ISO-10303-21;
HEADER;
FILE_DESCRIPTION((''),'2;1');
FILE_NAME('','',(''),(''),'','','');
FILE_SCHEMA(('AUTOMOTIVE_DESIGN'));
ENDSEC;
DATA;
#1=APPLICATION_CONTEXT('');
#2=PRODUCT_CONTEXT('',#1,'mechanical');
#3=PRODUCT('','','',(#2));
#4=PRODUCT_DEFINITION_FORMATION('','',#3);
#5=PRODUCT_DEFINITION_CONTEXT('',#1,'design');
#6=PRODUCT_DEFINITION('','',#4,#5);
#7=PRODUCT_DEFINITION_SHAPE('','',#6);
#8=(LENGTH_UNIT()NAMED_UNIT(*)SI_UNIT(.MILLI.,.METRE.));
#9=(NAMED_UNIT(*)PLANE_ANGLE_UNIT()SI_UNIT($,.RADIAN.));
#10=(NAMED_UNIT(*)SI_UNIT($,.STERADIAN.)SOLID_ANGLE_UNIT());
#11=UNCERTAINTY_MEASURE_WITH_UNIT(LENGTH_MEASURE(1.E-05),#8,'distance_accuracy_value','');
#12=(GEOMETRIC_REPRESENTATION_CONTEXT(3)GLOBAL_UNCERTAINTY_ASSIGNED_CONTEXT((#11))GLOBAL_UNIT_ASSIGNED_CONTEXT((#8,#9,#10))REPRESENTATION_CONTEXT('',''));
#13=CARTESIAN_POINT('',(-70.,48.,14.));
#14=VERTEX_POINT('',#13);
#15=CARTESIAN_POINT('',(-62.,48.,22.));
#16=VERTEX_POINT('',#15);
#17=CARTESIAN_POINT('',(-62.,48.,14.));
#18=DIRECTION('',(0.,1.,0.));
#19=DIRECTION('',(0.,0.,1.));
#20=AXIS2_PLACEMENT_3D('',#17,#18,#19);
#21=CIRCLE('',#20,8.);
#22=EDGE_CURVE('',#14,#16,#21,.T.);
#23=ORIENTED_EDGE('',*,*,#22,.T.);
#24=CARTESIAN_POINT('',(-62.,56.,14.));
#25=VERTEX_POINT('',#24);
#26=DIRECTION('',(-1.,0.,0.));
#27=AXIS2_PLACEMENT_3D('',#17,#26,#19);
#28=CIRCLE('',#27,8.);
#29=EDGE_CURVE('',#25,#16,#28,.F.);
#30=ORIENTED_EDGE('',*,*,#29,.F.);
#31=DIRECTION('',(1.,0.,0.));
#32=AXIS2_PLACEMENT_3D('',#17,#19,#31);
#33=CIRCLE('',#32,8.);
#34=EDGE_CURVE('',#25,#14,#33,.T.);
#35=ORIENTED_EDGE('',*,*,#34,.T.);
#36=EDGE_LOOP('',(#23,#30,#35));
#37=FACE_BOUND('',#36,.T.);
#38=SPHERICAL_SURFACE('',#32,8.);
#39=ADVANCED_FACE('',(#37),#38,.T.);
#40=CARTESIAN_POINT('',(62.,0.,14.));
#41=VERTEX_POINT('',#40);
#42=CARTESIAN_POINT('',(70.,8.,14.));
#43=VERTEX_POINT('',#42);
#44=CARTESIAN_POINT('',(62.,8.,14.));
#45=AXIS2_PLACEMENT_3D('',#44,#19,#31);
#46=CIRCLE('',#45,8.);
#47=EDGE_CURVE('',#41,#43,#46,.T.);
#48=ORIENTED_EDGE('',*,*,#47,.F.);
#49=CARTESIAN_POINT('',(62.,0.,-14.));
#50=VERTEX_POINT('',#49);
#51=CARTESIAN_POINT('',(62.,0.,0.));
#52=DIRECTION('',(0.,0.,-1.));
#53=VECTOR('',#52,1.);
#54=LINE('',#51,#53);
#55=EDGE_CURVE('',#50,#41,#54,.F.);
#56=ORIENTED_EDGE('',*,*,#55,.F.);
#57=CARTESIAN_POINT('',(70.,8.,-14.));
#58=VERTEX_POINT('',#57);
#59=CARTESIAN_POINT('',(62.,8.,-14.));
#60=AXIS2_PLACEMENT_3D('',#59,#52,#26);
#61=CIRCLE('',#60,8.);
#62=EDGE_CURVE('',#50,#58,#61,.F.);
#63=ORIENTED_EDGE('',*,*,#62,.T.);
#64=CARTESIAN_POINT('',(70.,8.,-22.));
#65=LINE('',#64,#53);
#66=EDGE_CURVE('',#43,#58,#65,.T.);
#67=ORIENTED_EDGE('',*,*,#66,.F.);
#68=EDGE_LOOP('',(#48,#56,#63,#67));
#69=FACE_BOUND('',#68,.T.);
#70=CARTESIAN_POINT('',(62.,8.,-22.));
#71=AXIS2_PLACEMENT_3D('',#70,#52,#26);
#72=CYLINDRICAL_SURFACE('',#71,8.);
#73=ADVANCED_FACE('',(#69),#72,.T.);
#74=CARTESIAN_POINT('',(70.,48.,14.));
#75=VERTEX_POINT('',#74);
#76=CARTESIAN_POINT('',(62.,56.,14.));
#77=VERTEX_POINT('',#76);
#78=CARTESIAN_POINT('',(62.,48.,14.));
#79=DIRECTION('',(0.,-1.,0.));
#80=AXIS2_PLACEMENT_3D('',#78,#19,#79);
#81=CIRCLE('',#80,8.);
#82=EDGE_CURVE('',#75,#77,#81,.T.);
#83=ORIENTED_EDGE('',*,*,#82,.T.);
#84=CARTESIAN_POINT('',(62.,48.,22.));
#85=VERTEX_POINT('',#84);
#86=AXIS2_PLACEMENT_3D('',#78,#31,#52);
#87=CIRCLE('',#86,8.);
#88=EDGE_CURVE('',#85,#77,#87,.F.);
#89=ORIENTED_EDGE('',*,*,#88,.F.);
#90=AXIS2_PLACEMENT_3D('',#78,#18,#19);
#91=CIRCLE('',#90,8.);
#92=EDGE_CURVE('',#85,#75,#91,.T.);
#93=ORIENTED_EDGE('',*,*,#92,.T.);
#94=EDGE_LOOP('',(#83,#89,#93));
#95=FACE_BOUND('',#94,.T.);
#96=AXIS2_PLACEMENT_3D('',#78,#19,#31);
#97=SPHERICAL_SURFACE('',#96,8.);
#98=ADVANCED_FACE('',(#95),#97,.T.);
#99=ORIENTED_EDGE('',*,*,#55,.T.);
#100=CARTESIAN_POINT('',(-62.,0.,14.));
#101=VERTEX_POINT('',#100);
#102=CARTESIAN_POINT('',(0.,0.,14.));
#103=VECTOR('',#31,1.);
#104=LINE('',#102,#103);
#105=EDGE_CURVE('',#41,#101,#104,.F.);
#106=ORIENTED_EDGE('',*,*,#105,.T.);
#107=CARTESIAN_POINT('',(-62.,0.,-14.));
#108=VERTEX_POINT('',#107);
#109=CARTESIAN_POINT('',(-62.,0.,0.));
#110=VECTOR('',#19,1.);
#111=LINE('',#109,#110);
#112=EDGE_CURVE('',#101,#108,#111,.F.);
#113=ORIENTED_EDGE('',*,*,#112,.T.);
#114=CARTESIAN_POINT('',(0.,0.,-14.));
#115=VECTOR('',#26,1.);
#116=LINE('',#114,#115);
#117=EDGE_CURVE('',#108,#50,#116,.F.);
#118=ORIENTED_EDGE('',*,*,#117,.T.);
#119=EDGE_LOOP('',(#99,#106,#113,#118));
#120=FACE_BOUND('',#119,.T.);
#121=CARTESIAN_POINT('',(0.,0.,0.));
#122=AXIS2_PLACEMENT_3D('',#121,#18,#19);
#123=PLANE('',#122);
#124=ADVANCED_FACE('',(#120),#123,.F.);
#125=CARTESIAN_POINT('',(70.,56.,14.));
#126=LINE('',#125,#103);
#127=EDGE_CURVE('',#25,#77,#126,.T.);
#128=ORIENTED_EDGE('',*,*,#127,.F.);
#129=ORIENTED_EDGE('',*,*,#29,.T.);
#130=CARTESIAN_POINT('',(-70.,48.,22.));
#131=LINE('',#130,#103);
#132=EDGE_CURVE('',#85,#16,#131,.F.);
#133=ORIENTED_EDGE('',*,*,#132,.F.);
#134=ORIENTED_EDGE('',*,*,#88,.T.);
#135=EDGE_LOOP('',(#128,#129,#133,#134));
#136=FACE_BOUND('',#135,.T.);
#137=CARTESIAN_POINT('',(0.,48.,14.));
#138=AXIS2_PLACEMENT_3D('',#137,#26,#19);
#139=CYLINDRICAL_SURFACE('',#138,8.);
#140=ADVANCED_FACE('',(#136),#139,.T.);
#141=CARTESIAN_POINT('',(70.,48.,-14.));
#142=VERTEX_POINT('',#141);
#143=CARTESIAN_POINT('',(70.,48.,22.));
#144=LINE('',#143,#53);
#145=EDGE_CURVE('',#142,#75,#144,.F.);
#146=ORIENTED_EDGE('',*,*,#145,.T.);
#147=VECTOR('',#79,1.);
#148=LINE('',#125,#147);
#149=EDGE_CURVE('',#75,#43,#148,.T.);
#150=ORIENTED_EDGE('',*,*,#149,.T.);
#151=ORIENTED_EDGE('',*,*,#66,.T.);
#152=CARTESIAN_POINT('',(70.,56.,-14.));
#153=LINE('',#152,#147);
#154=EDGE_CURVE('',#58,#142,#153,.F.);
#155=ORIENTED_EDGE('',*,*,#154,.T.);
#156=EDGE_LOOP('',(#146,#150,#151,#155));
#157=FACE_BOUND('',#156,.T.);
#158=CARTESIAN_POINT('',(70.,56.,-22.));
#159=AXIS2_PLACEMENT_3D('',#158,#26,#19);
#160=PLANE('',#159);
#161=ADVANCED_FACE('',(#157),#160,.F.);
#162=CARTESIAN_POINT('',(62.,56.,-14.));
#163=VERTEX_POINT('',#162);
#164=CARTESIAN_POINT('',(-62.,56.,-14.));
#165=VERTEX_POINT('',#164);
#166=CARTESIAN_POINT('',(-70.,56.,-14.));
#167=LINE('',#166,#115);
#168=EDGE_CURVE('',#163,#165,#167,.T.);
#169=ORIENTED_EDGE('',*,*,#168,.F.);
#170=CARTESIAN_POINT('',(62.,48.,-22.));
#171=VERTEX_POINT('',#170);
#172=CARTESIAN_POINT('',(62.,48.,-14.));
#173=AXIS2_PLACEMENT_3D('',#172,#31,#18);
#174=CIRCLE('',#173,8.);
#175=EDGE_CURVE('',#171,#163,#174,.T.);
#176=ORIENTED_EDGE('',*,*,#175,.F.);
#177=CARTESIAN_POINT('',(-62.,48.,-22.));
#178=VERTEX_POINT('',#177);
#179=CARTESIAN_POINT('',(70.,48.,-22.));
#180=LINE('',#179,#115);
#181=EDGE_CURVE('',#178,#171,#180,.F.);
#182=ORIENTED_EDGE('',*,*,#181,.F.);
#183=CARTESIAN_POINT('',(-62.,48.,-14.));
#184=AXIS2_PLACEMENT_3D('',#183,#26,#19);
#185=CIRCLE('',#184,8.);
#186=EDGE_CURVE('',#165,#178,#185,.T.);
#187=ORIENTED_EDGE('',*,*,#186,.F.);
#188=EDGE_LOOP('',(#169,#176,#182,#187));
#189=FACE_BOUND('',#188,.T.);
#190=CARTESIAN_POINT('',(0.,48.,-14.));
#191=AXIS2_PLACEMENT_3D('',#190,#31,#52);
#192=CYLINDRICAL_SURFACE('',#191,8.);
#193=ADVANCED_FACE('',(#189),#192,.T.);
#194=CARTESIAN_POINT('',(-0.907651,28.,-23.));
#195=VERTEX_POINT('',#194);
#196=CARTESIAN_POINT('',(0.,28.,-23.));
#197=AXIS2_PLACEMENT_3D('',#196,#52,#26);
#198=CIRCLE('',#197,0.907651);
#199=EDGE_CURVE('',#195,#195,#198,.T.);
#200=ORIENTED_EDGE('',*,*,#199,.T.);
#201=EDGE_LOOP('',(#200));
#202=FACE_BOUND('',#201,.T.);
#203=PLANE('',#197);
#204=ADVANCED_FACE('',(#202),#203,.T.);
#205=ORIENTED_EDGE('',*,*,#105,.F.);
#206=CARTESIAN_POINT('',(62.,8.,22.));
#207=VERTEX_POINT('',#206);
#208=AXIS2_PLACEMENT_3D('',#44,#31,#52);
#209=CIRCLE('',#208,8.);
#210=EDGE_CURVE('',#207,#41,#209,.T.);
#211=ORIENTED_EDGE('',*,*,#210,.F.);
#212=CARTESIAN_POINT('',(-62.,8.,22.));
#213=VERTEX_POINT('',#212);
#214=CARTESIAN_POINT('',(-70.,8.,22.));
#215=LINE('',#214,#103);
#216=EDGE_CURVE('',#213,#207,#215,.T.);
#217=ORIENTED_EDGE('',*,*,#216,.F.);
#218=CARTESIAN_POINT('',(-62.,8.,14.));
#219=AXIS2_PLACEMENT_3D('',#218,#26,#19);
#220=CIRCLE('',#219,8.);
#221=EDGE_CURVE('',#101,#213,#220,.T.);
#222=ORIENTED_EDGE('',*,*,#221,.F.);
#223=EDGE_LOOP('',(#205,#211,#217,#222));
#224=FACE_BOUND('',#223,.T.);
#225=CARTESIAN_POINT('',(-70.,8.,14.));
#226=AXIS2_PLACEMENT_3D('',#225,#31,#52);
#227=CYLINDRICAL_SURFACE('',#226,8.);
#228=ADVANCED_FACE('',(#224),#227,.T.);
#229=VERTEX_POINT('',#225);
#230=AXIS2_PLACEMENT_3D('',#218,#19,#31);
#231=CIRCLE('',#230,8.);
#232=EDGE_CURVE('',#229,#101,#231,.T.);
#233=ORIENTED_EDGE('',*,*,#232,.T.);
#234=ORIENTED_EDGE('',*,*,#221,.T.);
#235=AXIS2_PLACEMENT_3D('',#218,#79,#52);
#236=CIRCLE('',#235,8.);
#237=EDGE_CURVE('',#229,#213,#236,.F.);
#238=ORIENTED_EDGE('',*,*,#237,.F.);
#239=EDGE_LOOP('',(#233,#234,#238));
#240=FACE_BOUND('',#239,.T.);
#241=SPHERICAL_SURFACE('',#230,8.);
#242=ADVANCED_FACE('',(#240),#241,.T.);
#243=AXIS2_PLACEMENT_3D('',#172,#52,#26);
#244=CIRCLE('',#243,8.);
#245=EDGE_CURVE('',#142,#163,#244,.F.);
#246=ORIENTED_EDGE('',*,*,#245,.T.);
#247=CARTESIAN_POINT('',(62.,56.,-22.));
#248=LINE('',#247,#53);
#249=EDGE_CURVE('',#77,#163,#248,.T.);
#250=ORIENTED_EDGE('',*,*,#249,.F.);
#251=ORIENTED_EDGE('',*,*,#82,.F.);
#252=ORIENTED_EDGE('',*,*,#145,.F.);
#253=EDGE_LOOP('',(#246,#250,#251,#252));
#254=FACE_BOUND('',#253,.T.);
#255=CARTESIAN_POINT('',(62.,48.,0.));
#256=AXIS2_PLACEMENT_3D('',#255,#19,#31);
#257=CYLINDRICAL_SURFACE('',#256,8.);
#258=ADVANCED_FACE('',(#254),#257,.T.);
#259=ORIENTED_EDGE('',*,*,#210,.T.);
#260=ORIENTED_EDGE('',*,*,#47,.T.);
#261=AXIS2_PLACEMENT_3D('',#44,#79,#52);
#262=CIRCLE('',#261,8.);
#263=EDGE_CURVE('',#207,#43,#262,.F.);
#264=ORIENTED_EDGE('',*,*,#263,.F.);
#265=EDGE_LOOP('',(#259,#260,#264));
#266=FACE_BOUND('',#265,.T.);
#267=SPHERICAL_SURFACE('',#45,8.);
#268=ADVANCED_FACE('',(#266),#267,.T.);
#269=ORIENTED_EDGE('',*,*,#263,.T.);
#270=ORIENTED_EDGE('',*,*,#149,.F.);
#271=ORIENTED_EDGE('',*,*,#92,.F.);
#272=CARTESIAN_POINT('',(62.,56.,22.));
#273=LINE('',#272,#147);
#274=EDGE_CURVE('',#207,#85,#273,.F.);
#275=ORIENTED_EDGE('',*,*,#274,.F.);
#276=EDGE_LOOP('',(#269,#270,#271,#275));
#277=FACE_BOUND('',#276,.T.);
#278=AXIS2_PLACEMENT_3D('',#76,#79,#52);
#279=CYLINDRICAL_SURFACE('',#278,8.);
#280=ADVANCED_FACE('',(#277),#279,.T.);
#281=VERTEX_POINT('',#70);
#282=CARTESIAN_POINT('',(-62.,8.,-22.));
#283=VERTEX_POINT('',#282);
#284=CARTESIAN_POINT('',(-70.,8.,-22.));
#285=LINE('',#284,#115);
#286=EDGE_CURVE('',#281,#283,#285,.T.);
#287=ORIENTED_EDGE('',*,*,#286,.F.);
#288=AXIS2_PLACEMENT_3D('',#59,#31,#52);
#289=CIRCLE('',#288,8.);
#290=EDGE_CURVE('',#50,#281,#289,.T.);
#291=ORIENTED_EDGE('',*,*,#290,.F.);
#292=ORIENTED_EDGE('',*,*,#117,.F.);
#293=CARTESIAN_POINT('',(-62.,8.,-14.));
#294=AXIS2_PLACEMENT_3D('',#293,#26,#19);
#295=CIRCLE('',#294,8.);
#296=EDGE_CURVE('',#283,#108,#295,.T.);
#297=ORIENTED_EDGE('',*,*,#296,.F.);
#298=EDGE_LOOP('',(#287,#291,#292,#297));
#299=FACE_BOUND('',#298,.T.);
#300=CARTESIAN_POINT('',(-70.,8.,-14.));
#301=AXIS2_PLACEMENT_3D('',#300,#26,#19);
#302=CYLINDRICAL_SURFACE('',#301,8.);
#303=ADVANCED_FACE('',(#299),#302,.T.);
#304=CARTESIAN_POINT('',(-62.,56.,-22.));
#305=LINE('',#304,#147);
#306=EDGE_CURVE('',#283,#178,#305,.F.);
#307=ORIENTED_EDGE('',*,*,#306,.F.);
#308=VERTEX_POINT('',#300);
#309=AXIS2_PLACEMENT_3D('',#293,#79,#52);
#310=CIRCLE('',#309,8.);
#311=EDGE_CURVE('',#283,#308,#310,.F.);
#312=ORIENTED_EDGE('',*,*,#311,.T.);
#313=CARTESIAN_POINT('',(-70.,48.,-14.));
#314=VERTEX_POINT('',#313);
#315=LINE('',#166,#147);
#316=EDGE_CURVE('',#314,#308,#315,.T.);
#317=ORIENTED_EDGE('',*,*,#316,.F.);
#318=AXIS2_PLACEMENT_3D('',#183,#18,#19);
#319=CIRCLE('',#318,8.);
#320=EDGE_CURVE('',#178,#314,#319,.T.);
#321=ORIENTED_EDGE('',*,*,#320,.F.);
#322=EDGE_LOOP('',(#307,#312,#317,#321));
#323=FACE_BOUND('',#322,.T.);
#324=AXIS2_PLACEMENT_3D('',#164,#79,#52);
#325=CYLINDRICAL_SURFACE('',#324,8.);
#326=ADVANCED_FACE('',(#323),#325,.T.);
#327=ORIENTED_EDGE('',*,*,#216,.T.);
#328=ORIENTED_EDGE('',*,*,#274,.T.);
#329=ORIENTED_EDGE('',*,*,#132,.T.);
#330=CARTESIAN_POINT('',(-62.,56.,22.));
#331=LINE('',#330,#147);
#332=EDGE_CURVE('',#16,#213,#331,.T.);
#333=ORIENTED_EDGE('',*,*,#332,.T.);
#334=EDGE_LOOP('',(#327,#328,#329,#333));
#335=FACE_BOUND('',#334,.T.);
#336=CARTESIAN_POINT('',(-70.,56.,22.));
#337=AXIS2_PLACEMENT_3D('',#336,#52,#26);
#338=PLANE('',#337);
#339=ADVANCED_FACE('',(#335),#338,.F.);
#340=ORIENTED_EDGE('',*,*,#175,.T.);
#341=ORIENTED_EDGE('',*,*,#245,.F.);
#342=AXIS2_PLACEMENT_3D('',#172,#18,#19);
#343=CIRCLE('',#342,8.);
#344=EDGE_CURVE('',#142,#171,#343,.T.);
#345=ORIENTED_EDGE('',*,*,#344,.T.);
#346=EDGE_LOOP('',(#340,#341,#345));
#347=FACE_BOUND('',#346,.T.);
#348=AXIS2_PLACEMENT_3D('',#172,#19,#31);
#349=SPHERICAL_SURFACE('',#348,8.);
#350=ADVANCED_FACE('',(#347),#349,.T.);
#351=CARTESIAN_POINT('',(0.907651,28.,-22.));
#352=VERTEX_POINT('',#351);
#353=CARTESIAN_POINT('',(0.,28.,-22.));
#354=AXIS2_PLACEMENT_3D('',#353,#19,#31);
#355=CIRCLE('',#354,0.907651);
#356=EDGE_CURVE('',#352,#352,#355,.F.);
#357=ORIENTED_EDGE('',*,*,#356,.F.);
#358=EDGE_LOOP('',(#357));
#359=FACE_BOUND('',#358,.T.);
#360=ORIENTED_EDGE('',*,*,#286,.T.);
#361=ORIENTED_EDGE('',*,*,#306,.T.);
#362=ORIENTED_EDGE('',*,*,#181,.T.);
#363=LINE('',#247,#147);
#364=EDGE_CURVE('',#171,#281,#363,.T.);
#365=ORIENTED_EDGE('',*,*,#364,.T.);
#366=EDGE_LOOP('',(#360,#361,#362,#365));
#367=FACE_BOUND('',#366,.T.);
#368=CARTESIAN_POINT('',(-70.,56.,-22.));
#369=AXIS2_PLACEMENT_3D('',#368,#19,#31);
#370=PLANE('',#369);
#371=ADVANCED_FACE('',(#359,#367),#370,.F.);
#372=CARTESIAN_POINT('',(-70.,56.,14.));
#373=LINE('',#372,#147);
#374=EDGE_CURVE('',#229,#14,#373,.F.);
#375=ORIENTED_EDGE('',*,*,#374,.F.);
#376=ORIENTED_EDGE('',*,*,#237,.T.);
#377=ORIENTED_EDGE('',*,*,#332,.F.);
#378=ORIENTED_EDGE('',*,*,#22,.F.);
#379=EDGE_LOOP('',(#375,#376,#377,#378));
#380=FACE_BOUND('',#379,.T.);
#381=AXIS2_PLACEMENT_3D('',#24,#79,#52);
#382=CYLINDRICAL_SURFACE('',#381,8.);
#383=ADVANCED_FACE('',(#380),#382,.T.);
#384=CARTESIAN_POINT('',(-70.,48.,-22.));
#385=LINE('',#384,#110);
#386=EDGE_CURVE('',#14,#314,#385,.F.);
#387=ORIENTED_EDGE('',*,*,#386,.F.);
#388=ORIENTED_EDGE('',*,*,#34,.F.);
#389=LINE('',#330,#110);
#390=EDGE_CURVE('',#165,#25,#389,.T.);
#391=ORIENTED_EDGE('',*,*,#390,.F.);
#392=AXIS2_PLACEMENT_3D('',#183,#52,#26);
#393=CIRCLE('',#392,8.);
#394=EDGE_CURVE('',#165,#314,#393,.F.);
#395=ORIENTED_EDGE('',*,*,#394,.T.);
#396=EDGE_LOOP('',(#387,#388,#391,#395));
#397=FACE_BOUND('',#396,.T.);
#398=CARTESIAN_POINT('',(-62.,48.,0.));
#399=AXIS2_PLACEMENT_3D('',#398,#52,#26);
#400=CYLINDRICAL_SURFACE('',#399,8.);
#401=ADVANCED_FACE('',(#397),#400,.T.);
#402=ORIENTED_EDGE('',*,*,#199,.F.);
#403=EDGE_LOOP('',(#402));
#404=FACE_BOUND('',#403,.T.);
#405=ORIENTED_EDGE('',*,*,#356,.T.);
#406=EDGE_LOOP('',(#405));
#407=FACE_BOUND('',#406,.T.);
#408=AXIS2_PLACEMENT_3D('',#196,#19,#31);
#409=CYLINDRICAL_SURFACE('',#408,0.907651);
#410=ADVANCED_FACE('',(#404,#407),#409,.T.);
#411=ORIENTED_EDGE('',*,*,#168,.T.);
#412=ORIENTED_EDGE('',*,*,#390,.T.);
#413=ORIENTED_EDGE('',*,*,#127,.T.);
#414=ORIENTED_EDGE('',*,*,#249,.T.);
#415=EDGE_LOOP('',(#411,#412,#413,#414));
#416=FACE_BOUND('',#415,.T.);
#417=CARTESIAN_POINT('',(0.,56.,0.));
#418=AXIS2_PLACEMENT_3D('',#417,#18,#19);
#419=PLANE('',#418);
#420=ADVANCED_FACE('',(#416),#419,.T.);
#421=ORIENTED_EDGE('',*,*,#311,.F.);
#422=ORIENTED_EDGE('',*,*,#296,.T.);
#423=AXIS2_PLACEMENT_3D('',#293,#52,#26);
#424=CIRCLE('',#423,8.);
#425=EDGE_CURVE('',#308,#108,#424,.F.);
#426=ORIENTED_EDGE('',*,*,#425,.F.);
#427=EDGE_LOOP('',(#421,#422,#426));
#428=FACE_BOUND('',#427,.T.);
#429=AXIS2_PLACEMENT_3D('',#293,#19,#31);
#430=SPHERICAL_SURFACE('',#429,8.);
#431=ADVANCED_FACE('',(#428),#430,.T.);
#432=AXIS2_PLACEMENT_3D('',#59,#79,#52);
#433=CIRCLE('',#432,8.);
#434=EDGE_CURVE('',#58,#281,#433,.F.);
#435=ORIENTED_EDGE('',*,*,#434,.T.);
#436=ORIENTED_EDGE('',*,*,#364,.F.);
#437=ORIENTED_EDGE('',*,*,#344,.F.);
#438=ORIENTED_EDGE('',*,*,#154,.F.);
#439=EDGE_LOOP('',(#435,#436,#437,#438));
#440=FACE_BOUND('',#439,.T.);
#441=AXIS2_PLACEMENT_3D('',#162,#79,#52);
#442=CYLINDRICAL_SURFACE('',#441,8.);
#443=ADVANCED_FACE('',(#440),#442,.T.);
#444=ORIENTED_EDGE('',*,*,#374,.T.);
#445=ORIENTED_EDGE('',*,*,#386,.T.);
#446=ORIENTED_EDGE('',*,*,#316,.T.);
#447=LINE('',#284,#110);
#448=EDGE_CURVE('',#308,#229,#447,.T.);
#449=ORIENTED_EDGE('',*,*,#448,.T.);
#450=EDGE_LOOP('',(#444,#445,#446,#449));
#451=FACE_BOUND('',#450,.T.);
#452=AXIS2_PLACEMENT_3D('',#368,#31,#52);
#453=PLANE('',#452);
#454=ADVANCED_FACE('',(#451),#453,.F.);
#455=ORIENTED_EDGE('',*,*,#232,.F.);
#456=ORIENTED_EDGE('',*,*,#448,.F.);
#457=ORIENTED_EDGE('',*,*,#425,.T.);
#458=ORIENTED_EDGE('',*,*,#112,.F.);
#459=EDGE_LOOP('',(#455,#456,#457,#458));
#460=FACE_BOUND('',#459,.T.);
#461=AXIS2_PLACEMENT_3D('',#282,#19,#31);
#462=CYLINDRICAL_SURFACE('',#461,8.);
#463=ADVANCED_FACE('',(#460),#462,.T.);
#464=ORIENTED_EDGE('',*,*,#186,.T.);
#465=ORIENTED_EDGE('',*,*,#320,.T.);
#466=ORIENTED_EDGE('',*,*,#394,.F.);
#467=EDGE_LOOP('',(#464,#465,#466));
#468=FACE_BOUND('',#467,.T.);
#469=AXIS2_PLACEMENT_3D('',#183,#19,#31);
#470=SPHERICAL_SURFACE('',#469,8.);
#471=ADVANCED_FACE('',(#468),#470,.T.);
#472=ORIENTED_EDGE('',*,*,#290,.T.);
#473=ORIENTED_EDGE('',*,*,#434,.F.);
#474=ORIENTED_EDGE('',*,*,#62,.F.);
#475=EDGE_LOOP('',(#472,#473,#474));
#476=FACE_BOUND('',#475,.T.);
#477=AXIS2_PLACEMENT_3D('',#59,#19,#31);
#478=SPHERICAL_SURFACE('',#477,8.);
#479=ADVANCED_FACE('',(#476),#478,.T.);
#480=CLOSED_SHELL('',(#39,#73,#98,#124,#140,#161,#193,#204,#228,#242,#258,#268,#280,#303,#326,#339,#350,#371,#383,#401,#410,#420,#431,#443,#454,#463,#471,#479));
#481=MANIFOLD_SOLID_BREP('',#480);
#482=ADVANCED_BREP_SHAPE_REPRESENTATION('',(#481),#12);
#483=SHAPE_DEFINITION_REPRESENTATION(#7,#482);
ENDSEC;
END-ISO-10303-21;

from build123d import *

# Parameters (mm, degrees)
SKETCH1_W           = 140
SKETCH1_H           = 44
BOSS_EXTRUDE1_DEPTH = 56
FILLET1_R           = 8
SKETCH2_R           = 0.907650606
BOSS_EXTRUDE2_DEPTH = 1


with BuildPart() as part:
    # Sketch1 → Boss-Extrude1 (new body)
    with BuildSketch(Plane(origin=(0, 0, 0), x_dir=(1, 0, 0), z_dir=(0, 1, 0))):
        Rectangle(SKETCH1_W, SKETCH1_H)
    extrude(amount=BOSS_EXTRUDE1_DEPTH)

    # Fillet1
    fillet1_edges = [part.edges().sort_by_distance(p)[0] for p in [
        (-70, 56, 0),
        (0, 56, 22),
        (70, 56, 0),
        (0, 0, 22),
        (-70, 0, 0),
        (0, 0, -22),
        (70, 0, 0),
        (0, 56, -22),
        (70, 28, 22),
        (-70, 28, 22),
        (-70, 28, -22),
        (70, 28, -22),
    ]]
    fillet(fillet1_edges, radius=FILLET1_R)

    # Sketch2 → Boss-Extrude2 (add)
    with BuildSketch(Plane(origin=(0, 0, -22), x_dir=(-1, 0, 0), z_dir=(0, 0, -1))):
        with Locations(Location((0, 28, 0), (0, 0, 180))):
            Circle(SKETCH2_R)
    extrude(amount=BOSS_EXTRUDE2_DEPTH)


solid = part.part
